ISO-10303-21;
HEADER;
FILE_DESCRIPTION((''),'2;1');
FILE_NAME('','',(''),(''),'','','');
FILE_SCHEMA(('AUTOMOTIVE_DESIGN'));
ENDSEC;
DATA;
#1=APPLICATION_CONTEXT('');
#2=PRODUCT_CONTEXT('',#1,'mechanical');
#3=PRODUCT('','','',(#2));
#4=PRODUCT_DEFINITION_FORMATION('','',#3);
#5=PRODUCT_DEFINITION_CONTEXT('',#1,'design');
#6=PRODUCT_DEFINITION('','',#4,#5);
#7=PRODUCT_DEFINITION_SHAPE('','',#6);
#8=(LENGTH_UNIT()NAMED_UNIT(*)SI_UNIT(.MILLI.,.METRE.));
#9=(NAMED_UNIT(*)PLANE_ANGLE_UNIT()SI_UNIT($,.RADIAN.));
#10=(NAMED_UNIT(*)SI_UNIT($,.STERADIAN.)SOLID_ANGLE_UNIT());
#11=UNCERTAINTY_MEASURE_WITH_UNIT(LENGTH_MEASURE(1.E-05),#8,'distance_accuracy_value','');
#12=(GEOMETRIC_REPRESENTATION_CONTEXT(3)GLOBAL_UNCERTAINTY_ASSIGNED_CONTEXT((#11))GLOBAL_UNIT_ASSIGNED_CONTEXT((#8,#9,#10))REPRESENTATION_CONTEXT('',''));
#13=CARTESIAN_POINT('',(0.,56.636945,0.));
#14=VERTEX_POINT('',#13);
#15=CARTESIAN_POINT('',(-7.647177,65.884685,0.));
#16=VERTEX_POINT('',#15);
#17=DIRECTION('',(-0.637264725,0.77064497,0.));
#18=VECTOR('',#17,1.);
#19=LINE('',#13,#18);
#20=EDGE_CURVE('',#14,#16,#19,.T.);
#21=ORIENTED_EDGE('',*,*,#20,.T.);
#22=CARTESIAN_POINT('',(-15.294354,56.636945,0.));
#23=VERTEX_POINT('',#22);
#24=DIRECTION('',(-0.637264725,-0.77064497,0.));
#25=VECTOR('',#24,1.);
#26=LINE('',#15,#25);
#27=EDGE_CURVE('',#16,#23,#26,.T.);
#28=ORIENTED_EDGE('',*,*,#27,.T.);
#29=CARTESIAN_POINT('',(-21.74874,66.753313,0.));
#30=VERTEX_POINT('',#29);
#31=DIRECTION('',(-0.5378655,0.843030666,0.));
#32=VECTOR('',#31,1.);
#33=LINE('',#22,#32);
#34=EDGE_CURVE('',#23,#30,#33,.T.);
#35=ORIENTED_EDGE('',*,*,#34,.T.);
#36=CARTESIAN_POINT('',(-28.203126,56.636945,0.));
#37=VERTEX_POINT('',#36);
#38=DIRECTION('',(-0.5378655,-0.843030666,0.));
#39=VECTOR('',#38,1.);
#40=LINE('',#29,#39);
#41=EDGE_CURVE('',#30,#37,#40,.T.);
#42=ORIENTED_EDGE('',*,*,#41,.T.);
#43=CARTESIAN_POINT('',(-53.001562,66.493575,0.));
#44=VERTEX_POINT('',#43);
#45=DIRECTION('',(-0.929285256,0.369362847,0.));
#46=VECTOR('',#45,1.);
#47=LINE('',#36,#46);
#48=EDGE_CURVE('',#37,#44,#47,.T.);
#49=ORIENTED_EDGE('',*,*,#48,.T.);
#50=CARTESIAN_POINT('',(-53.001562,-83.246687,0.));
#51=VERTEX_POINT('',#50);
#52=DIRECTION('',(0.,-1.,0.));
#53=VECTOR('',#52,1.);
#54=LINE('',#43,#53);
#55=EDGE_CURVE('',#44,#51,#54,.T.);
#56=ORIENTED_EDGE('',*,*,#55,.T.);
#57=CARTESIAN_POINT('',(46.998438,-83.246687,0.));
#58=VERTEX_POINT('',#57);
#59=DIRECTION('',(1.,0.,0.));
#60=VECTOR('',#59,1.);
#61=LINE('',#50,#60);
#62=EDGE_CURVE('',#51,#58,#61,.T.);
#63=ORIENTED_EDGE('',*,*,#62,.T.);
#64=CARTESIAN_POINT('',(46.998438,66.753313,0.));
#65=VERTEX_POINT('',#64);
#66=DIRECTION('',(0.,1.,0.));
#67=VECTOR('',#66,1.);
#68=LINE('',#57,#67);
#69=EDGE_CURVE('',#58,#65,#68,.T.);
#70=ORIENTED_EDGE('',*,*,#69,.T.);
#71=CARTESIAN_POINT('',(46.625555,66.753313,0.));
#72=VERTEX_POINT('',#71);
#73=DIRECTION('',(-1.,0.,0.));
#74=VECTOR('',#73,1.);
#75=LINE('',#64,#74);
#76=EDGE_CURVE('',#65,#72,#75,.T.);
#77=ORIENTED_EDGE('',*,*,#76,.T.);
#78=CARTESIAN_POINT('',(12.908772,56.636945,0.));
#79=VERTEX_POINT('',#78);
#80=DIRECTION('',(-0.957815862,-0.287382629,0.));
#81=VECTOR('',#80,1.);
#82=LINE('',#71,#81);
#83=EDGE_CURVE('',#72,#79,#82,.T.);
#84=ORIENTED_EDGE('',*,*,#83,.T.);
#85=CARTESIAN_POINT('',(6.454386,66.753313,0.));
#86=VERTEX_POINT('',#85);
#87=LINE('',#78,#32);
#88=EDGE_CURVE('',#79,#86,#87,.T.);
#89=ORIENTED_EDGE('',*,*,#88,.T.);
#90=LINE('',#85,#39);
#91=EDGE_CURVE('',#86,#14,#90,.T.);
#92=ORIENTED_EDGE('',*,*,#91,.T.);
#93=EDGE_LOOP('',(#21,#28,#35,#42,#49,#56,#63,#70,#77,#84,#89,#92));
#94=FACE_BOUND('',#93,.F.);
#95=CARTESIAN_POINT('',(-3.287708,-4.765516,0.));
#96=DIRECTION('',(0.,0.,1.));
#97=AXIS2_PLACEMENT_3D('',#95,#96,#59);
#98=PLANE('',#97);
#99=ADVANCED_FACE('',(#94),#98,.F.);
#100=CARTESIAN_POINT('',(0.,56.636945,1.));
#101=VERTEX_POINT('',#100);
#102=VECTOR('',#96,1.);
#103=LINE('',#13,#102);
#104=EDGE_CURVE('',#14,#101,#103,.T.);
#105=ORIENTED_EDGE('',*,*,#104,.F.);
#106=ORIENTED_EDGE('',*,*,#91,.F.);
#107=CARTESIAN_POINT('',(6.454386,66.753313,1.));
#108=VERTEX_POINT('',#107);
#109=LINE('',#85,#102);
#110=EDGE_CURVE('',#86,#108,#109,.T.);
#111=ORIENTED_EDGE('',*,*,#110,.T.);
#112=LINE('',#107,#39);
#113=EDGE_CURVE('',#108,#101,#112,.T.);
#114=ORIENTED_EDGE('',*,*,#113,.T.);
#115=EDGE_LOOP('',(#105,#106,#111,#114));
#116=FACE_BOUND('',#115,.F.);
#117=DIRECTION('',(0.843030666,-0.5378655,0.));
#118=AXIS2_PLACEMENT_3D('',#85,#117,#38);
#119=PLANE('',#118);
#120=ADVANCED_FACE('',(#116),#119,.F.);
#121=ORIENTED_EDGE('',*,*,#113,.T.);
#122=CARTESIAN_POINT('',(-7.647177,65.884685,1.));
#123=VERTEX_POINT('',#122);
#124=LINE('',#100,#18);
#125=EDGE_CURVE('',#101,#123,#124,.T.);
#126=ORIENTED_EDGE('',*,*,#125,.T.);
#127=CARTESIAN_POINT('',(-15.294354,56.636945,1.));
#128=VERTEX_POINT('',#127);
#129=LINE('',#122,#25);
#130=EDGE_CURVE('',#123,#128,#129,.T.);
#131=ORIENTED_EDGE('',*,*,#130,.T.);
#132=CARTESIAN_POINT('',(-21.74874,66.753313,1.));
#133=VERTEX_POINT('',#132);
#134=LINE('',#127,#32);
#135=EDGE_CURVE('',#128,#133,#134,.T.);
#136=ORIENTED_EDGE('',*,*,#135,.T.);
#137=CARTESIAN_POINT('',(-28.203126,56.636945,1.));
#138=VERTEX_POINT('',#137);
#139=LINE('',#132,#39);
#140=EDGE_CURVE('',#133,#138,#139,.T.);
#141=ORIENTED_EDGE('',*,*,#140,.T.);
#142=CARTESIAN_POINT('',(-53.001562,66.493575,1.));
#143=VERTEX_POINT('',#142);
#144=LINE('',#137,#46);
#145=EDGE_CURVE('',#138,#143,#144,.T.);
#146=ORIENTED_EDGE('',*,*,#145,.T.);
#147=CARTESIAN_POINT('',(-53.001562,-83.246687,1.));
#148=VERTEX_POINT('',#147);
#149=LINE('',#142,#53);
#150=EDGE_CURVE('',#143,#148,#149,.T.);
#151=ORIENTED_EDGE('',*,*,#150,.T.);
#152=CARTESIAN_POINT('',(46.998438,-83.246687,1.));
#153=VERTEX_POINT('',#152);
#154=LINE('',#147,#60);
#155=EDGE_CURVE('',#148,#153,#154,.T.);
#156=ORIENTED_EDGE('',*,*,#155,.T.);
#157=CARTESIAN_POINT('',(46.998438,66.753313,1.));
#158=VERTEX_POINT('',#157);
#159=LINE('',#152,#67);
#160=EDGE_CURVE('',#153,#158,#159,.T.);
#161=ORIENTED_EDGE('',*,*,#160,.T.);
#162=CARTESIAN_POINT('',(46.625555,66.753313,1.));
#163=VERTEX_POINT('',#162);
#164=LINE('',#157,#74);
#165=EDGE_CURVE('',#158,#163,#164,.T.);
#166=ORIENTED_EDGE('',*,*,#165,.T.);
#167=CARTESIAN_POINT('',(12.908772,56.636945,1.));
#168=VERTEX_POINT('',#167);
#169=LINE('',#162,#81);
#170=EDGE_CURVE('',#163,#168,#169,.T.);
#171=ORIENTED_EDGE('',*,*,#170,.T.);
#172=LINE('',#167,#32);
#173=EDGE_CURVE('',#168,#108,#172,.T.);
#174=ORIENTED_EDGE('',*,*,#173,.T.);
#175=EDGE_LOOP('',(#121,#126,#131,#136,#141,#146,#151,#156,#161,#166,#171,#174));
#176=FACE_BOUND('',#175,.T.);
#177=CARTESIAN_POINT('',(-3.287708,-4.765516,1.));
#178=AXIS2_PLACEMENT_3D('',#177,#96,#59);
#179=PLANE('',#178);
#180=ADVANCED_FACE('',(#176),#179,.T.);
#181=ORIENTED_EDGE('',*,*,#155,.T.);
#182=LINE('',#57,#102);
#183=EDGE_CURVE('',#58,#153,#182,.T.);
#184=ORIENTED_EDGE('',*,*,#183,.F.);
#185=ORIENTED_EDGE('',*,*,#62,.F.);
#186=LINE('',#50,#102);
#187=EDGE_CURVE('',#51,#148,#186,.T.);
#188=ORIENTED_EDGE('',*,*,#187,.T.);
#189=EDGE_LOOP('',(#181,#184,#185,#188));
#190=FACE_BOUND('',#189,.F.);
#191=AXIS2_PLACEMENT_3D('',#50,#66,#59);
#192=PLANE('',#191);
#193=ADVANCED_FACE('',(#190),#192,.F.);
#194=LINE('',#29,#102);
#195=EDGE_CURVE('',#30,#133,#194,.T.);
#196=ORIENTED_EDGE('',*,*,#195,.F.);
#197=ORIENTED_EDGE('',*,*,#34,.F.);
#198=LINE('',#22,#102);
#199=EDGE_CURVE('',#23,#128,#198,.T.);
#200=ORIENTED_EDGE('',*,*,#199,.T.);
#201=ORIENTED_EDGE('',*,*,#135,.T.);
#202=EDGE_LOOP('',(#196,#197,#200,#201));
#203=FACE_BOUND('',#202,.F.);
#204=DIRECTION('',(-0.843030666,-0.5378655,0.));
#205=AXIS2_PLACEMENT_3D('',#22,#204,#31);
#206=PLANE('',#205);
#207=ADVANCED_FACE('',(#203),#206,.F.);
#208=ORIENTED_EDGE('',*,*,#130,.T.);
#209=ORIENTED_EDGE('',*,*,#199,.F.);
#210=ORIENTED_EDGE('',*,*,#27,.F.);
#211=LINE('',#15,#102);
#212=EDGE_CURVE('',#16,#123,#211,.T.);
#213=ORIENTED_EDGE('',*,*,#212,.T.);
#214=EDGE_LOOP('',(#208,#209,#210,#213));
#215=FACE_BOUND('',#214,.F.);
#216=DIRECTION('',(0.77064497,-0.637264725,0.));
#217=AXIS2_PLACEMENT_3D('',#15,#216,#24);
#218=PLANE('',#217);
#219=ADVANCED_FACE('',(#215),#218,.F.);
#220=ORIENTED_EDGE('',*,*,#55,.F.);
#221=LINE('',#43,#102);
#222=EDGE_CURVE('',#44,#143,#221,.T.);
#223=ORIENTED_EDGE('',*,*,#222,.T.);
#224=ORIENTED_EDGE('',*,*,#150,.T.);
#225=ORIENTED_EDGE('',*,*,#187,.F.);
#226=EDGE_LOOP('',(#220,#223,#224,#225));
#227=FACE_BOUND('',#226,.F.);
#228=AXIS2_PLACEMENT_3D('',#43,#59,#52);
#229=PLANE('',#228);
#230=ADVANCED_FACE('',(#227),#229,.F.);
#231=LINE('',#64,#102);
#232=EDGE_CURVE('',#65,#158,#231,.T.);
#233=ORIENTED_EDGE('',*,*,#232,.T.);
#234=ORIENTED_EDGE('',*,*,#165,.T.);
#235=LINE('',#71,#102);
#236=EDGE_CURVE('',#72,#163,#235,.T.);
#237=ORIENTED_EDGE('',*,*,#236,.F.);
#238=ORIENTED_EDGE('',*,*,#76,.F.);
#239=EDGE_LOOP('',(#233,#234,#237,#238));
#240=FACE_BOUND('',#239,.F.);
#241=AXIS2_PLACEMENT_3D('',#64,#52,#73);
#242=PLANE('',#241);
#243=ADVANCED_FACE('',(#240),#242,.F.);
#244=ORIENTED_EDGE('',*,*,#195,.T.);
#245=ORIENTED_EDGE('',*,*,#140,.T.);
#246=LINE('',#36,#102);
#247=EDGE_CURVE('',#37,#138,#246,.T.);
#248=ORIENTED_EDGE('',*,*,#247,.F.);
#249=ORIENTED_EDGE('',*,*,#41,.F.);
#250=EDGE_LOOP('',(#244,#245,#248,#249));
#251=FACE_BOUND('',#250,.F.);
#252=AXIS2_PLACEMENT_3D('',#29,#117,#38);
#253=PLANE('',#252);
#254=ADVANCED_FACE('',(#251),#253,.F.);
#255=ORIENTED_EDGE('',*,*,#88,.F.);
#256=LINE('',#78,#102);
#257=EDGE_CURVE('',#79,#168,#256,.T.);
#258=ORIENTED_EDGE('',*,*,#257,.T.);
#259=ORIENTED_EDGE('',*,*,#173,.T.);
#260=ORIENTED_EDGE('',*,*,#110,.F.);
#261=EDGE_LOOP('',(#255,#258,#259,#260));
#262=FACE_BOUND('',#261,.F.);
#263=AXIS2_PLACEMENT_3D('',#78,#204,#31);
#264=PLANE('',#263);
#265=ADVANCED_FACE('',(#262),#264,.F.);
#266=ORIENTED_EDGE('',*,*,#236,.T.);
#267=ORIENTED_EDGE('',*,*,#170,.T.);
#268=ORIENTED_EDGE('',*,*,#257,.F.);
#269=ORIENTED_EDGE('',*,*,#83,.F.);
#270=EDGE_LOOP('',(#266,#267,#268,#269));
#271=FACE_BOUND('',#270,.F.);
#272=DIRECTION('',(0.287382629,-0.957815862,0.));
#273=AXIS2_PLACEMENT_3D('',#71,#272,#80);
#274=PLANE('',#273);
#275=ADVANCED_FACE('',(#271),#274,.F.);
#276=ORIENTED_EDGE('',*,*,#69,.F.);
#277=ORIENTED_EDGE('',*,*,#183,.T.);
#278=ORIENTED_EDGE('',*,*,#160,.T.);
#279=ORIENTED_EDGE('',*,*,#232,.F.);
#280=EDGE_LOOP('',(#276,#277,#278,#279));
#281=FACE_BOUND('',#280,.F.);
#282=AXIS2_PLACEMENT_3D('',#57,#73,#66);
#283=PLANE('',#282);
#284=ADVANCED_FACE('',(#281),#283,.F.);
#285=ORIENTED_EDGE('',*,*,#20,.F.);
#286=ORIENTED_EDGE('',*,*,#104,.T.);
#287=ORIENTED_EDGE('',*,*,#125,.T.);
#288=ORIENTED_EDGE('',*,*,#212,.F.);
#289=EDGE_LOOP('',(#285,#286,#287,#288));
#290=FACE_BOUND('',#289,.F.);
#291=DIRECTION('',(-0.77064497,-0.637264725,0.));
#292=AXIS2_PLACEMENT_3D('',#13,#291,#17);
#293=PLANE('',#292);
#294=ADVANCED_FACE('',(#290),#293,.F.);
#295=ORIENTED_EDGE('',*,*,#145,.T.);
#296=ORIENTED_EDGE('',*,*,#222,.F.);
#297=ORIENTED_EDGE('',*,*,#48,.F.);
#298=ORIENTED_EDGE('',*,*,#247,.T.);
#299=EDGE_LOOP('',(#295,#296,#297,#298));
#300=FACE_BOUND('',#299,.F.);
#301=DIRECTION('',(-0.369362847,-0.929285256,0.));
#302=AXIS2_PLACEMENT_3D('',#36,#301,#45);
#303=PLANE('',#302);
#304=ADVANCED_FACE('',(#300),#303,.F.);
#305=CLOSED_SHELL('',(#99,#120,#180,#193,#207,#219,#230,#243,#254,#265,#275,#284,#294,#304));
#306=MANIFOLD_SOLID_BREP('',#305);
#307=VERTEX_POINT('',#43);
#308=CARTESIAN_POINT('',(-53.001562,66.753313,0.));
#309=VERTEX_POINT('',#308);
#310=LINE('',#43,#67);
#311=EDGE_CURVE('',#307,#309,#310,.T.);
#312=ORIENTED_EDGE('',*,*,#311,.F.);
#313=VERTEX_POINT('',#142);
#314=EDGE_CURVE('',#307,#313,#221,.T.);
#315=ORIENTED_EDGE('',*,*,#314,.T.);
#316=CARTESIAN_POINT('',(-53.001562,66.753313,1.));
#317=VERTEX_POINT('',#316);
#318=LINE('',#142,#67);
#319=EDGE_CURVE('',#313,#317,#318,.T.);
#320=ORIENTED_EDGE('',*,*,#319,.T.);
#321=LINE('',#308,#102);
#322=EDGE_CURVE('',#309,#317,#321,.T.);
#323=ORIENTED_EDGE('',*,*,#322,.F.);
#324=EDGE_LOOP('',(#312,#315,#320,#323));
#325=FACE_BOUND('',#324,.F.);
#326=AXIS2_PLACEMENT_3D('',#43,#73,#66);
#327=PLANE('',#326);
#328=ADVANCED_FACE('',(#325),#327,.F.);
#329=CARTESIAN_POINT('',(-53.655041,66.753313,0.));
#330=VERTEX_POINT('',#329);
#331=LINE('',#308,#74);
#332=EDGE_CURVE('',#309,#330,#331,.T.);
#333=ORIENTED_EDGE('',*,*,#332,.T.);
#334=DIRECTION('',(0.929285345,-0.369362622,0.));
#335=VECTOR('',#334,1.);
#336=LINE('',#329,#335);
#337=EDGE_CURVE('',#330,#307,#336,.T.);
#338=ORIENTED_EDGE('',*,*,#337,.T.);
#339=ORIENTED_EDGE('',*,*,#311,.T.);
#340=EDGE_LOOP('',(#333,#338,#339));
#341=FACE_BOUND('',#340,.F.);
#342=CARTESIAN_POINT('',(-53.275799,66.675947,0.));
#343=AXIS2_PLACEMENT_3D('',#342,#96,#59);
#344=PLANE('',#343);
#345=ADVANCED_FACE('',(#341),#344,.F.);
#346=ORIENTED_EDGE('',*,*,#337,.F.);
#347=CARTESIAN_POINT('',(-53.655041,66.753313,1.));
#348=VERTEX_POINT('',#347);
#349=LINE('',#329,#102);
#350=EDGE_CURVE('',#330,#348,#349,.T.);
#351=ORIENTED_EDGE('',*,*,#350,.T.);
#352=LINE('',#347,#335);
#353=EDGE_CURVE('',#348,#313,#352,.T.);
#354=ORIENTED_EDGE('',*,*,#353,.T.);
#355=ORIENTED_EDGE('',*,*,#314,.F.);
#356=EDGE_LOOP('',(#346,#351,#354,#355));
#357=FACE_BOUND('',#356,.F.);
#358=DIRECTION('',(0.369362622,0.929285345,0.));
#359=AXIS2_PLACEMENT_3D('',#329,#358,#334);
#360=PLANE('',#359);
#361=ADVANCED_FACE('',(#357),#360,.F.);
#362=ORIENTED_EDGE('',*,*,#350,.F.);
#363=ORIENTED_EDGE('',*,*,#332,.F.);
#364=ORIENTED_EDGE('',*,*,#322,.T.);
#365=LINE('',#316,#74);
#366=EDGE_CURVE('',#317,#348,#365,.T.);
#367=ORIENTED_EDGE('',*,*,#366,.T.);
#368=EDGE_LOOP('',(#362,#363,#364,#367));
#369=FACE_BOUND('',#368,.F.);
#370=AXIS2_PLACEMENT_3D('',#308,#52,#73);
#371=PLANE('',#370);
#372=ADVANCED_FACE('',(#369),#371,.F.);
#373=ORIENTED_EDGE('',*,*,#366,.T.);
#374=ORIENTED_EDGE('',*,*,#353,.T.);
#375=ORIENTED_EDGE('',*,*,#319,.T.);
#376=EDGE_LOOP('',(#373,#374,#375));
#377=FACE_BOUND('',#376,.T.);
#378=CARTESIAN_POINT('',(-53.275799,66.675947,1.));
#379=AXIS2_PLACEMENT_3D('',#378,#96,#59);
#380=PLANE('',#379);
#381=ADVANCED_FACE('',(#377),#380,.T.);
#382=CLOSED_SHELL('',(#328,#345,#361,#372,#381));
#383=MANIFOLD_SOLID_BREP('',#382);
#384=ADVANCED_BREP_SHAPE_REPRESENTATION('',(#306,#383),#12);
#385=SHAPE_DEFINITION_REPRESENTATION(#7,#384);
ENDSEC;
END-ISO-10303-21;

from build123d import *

# Parameters (mm, degrees)
F1_DEPTH = 1


with BuildPart() as f1:
    # F0 (on Top) → F1 (new body)
    with BuildSketch(Plane.XY):
        Polygon((-28.203126, 56.636945), (-53.001562, 66.493575), (-53.001562, -83.246687), (46.998438, -83.246687), (46.998438, 66.753313), (46.625555, 66.753313), (12.908772, 56.636945), (6.454386, 66.753313), (0, 56.636945), (-7.647177, 65.884685), (-15.294354, 56.636945), (-21.74874, 66.753313), align=None)
        Polygon((-53.001562, 66.493575), (-53.001562, 66.753313), (-53.655041, 66.753313), align=None)
    extrude(amount=F1_DEPTH)


solid = f1.part
